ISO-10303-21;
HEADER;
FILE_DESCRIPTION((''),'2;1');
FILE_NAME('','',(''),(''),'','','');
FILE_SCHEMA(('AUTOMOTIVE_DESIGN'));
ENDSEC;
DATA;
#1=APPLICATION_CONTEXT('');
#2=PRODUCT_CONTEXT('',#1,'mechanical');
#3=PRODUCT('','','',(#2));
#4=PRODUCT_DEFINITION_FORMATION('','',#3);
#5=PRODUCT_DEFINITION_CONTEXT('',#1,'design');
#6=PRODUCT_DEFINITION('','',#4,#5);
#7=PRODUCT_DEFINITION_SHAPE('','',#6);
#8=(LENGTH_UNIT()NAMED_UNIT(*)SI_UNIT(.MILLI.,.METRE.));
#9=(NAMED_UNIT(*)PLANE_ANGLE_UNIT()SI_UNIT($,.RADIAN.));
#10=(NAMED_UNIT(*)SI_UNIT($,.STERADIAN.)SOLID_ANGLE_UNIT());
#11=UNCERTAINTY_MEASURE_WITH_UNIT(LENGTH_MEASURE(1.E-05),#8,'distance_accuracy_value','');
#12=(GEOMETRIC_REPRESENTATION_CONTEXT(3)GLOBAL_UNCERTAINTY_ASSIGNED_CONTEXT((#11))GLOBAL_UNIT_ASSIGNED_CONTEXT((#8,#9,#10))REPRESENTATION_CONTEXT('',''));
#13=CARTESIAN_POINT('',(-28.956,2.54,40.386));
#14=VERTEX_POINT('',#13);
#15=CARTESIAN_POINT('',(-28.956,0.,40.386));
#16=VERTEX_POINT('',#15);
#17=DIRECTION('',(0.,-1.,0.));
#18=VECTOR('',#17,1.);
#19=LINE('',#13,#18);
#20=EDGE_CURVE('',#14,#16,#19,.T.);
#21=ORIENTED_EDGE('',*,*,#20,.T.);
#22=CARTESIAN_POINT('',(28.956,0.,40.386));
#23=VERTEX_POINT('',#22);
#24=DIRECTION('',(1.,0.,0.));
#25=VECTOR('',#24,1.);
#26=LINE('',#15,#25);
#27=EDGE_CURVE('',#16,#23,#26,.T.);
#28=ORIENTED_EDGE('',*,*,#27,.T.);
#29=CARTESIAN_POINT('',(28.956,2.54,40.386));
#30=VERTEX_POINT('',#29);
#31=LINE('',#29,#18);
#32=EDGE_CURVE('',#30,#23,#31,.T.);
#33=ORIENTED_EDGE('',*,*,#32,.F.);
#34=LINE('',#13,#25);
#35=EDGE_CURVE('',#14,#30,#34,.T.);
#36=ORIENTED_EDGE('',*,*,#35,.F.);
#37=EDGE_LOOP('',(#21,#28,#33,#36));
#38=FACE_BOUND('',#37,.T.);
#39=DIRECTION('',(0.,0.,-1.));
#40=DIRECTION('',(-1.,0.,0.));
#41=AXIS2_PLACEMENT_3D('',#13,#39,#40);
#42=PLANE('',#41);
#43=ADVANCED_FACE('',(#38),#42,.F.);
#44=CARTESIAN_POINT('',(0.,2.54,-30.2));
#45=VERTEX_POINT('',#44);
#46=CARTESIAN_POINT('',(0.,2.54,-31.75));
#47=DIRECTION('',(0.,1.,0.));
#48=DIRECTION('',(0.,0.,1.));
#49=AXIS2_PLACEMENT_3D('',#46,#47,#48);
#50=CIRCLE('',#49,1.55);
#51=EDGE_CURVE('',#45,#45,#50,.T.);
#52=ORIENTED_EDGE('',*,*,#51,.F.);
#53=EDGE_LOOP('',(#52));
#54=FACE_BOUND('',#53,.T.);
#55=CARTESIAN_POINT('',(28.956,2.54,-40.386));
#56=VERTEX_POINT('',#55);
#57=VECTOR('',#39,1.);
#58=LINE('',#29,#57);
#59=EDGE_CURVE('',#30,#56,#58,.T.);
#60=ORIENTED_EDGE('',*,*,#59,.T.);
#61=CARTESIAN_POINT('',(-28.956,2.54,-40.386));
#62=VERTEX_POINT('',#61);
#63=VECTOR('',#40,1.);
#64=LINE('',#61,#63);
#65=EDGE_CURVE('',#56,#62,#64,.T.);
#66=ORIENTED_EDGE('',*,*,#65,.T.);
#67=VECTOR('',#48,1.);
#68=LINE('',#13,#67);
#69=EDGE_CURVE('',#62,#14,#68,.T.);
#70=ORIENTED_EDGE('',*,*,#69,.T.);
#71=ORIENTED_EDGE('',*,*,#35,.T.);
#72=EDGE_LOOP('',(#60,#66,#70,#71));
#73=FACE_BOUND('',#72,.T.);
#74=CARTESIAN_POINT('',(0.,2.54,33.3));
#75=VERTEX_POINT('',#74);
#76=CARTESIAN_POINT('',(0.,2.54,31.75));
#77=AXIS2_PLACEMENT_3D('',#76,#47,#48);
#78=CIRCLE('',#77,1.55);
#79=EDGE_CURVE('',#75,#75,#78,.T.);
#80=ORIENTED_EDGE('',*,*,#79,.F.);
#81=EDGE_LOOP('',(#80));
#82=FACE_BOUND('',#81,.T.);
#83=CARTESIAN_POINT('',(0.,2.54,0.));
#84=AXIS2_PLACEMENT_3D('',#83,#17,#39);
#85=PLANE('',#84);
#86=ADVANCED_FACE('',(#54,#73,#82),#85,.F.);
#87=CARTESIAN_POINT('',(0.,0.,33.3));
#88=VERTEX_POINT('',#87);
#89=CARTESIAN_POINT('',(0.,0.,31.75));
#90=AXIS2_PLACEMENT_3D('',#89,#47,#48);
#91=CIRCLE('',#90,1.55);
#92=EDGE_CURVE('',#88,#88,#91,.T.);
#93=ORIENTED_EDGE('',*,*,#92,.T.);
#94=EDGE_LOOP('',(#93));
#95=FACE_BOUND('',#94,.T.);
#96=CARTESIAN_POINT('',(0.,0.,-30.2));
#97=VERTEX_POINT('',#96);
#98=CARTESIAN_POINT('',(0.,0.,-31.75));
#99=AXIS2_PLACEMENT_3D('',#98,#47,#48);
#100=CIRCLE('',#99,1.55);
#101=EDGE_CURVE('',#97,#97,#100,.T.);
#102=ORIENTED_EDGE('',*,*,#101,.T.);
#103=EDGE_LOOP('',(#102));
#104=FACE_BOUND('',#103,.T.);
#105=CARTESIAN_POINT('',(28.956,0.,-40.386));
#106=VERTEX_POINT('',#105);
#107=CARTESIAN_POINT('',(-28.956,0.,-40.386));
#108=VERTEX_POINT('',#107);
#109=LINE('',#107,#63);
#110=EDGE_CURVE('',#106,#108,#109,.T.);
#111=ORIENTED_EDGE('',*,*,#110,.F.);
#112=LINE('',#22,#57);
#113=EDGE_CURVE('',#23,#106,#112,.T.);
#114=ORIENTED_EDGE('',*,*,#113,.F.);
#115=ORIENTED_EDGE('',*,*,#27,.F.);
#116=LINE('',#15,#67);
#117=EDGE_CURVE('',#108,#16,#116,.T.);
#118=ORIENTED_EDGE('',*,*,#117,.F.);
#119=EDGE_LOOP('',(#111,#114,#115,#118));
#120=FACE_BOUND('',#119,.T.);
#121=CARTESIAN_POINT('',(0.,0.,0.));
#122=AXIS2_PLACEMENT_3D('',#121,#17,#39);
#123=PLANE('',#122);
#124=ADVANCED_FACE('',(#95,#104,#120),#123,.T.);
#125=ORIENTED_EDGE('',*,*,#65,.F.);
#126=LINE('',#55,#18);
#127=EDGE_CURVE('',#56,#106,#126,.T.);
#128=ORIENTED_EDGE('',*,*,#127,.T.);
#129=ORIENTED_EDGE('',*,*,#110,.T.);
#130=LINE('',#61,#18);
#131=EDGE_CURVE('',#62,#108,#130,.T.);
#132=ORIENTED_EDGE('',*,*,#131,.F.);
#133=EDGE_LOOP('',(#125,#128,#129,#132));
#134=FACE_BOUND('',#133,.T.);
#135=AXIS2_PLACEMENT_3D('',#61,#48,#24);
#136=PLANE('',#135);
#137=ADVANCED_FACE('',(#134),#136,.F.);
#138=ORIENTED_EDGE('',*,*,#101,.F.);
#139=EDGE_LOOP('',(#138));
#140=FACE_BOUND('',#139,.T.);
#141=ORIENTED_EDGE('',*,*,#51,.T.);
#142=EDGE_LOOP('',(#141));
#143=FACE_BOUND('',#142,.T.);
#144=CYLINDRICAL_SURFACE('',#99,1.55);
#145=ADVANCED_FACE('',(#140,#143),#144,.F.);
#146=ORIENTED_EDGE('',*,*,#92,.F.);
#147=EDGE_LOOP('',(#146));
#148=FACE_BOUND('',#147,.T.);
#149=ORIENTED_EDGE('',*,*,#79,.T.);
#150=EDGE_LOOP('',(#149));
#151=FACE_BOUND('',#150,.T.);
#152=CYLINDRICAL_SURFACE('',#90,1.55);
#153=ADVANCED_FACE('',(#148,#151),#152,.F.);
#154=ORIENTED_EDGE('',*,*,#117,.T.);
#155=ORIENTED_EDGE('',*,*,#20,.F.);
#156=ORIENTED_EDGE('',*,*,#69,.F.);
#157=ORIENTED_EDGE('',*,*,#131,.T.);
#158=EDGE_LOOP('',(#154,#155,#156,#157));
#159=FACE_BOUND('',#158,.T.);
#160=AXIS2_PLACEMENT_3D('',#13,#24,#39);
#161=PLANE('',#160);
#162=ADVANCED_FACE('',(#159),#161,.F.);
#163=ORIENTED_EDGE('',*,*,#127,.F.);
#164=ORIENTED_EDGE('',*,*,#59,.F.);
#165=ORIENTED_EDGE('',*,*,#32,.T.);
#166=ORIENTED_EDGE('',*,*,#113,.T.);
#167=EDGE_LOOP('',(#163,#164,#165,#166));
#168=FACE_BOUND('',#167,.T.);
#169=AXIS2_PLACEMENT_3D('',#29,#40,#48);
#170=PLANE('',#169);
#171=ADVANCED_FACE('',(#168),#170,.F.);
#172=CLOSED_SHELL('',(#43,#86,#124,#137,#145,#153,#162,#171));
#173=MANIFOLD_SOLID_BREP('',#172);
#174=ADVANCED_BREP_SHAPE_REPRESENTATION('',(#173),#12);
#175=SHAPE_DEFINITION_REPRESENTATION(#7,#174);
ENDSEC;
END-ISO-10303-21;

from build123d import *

# Parameters (mm, degrees)
SKETCH1_W           = 57.912
SKETCH1_H           = 80.772
BOSS_EXTRUDE1_DEPTH = 2.54
SKETCH5_R           = 1.55
CUT_EXTRUDE1_DEPTH  = 2.54


with BuildPart() as part:
    # Sketch1 → Boss-Extrude1 (new body)
    with BuildSketch(Plane(origin=(0, 0, 0), x_dir=(1, 0, 0), z_dir=(0, 1, 0))):
        Rectangle(SKETCH1_W, SKETCH1_H)
    extrude(amount=BOSS_EXTRUDE1_DEPTH)

    # Sketch5 → Cut-Extrude1 (cut)
    with BuildSketch(Plane(origin=(0, 2.54, 0), x_dir=(1, 0, 0), z_dir=(0, 1, 0))):
        with Locations((0, -31.75)):
            Circle(SKETCH5_R)
        with Locations((0, 31.75)):
            Circle(SKETCH5_R)
    extrude(amount=-CUT_EXTRUDE1_DEPTH, mode=Mode.SUBTRACT)


solid = part.part
